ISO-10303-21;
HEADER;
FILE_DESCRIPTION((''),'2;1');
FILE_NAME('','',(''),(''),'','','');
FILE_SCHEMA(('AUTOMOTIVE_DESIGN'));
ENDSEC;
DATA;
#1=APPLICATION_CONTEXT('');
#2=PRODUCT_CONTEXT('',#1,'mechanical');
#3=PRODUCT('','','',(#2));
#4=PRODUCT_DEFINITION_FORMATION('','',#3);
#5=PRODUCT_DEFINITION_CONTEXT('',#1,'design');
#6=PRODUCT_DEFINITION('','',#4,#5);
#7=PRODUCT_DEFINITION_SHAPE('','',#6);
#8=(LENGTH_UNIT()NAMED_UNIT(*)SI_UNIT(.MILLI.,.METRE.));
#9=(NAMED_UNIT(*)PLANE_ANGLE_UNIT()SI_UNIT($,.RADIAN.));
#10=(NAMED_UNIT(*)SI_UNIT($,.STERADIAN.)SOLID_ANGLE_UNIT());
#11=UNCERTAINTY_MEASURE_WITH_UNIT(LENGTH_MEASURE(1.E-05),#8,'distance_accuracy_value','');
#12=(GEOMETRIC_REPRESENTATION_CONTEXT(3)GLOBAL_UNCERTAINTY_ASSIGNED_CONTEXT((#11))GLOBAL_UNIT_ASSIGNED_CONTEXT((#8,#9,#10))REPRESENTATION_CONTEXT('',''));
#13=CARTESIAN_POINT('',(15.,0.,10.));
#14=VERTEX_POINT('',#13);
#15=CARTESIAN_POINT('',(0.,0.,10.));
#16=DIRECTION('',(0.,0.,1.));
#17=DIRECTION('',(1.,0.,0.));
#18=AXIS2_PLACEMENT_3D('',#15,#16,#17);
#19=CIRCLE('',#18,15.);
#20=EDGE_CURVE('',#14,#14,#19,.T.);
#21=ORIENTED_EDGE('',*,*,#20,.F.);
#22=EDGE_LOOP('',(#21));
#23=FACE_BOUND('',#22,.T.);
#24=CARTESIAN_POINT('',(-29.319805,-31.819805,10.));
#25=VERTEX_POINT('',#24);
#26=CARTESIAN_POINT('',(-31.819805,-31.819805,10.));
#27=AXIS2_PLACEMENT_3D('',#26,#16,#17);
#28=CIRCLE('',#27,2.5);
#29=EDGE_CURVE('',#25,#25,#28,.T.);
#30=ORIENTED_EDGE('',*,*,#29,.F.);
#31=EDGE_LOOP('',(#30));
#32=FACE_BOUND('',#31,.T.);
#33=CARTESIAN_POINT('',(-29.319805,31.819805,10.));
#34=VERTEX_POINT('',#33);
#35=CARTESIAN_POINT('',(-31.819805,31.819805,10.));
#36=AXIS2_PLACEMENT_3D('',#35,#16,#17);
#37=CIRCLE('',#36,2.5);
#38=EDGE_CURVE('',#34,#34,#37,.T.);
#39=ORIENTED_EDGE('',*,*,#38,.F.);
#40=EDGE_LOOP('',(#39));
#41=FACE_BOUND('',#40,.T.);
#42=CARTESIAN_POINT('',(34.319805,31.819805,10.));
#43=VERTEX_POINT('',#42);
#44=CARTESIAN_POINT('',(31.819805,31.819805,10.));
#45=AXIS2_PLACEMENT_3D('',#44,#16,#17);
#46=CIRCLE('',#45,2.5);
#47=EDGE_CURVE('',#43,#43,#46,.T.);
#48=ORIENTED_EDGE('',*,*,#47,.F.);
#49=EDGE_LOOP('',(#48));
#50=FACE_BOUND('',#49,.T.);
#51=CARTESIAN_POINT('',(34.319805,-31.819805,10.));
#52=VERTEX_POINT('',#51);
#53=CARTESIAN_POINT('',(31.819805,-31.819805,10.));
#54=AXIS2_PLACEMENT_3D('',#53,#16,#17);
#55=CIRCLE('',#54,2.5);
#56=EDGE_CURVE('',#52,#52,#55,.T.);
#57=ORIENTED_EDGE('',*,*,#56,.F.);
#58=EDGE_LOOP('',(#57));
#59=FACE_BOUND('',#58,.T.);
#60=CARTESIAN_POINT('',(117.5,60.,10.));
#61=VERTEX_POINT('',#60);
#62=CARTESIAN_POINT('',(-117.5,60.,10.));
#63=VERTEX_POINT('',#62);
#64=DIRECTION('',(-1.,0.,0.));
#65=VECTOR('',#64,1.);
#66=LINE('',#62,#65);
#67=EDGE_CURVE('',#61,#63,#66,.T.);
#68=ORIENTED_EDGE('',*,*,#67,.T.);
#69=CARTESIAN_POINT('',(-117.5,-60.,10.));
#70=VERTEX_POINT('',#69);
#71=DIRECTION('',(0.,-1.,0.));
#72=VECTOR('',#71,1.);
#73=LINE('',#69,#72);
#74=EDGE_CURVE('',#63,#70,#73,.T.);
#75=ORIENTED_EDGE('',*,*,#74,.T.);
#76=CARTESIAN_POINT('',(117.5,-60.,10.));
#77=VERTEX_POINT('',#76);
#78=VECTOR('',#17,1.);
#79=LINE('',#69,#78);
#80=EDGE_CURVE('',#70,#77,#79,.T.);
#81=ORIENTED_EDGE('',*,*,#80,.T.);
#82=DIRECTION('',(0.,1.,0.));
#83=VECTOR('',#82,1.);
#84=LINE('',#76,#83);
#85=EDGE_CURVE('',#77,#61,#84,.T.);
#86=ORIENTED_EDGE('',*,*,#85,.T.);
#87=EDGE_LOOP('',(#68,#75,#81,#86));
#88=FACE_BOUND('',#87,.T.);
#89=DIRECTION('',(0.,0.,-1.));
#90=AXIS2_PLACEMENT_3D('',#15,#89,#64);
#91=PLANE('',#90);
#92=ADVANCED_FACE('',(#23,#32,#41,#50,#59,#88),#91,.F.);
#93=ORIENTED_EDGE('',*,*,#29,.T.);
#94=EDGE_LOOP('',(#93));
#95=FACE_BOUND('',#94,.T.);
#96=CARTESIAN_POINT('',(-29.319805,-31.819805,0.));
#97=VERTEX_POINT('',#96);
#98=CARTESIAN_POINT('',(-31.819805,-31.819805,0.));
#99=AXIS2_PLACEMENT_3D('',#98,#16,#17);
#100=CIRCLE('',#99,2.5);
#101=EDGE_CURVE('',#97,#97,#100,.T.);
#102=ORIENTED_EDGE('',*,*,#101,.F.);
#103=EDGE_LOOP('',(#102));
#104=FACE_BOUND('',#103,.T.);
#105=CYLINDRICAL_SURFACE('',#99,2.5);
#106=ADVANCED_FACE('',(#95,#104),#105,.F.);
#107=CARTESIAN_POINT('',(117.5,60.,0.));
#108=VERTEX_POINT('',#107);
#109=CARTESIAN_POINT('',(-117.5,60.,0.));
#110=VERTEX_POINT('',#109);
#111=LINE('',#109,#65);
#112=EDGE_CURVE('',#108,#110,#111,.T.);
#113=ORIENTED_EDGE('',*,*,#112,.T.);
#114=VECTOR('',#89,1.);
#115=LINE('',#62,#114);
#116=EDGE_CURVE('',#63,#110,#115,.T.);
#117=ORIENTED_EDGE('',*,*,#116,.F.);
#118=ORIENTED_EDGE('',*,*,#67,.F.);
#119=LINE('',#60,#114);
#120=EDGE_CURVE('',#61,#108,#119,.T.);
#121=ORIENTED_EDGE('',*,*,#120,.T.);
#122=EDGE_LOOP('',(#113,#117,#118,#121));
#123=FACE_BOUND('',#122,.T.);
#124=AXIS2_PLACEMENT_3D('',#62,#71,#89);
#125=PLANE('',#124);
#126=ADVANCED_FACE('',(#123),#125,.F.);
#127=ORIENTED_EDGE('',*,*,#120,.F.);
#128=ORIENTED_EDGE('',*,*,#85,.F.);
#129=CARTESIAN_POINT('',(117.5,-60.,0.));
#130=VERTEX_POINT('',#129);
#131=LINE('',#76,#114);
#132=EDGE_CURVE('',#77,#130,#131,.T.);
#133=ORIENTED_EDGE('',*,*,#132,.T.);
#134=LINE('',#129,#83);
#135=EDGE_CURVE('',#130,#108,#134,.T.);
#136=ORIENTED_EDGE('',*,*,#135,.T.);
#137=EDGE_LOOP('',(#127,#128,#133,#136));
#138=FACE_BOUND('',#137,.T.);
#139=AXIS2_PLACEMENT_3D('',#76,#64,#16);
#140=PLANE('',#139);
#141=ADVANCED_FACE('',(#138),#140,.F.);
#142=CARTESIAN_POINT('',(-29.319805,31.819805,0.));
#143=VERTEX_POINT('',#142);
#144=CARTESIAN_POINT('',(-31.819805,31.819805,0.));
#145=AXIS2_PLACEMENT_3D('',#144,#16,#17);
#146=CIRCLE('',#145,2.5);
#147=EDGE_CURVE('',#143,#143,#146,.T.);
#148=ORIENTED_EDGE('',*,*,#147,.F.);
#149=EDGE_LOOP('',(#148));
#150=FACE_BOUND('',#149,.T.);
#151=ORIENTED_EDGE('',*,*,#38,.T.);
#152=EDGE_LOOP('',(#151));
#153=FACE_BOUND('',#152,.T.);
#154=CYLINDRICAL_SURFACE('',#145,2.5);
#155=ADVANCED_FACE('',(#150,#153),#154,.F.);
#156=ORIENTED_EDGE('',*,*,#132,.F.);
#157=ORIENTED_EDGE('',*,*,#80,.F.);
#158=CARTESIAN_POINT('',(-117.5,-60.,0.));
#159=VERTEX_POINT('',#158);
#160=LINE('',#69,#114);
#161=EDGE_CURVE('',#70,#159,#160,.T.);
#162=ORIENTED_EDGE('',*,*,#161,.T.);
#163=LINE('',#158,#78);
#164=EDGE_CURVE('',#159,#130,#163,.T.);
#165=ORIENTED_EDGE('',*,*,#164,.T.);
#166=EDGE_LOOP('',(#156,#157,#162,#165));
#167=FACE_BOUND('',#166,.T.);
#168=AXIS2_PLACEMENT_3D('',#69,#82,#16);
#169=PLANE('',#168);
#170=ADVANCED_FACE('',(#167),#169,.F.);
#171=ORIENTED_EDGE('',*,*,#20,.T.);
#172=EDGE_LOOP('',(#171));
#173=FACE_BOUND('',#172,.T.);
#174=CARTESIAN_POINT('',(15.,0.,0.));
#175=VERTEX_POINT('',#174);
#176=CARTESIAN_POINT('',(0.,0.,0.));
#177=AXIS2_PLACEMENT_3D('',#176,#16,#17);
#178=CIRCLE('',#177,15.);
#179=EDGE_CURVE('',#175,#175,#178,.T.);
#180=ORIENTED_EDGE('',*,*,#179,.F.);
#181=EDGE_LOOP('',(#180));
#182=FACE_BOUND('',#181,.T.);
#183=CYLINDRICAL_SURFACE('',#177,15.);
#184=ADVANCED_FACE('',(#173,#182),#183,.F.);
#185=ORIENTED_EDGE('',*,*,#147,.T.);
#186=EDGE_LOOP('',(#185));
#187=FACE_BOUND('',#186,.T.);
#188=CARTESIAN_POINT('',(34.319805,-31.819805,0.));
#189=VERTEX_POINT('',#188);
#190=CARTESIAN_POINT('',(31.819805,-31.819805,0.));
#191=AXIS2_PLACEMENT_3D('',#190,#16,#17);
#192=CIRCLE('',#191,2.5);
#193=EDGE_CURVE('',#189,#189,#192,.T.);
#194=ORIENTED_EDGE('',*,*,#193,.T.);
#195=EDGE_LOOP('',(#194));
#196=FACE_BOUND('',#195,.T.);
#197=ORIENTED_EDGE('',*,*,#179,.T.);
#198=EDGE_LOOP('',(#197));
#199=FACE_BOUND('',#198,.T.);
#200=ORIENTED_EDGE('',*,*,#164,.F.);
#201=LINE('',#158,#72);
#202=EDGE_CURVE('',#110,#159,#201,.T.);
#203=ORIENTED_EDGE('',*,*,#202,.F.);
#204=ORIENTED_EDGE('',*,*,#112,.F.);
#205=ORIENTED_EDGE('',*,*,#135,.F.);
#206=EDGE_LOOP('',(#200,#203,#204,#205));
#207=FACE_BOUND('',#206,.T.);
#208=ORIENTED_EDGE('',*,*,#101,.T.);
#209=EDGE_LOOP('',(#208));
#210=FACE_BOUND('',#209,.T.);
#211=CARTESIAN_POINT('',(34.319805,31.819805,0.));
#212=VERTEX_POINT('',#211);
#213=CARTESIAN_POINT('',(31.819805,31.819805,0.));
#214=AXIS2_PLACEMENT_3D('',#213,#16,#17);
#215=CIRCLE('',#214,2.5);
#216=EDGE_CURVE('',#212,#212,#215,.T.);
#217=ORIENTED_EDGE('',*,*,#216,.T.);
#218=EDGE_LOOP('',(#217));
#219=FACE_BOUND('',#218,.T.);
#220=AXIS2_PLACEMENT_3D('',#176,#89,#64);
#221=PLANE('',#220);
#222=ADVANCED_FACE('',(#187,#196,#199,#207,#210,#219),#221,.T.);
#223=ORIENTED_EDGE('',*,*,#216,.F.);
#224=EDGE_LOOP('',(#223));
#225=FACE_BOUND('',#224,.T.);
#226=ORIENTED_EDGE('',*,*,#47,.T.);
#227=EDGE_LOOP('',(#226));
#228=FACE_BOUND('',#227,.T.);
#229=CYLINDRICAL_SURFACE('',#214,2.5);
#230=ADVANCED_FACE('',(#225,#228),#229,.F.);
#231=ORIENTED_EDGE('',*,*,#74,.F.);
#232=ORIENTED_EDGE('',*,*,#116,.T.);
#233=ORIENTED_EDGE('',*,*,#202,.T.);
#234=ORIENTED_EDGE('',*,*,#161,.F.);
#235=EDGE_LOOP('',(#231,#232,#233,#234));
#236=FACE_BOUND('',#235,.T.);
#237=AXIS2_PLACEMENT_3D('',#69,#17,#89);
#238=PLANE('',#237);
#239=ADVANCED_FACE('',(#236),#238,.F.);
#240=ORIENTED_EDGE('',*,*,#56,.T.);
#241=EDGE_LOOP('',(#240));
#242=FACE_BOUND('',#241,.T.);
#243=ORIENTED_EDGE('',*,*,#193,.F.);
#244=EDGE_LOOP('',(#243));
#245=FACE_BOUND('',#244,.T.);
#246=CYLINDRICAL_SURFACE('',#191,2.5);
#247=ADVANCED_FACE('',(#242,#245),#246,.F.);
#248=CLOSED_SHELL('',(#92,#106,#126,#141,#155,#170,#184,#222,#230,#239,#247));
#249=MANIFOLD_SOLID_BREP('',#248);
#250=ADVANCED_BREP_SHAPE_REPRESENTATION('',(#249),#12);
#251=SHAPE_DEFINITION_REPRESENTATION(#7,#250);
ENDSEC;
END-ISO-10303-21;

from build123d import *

# Parameters (mm, degrees)
SKETCH1_W           = 235
SKETCH1_H           = 120
BOSS_EXTRUDE1_DEPTH = 10
SKETCH2_R           = 15
CUT_EXTRUDE1_DEPTH  = 10
SKETCH3_R           = 2.5
CUT_EXTRUDE2_DEPTH  = 10


with BuildPart() as part:
    # Sketch1 → Boss-Extrude1 (new body)
    with BuildSketch(Plane.XY):
        Rectangle(SKETCH1_W, SKETCH1_H)
    extrude(amount=BOSS_EXTRUDE1_DEPTH)

    # Sketch2 → Cut-Extrude1 (cut)
    with BuildSketch(Plane.XY.offset(10)):
        Circle(SKETCH2_R)
    extrude(amount=-CUT_EXTRUDE1_DEPTH, mode=Mode.SUBTRACT)

    # Sketch3 → Cut-Extrude2 (cut)
    with BuildSketch(Plane.XY.offset(10)):
        with Locations((31.819805153, 31.819805153)):
            Circle(SKETCH3_R)
        with Locations((31.819805153, -31.819805153)):
            Circle(SKETCH3_R)
        with Locations((-31.819805153, -31.819805153)):
            Circle(SKETCH3_R)
        with Locations((-31.819805153, 31.819805153)):
            Circle(SKETCH3_R)
    extrude(amount=-CUT_EXTRUDE2_DEPTH, mode=Mode.SUBTRACT)


solid = part.part
